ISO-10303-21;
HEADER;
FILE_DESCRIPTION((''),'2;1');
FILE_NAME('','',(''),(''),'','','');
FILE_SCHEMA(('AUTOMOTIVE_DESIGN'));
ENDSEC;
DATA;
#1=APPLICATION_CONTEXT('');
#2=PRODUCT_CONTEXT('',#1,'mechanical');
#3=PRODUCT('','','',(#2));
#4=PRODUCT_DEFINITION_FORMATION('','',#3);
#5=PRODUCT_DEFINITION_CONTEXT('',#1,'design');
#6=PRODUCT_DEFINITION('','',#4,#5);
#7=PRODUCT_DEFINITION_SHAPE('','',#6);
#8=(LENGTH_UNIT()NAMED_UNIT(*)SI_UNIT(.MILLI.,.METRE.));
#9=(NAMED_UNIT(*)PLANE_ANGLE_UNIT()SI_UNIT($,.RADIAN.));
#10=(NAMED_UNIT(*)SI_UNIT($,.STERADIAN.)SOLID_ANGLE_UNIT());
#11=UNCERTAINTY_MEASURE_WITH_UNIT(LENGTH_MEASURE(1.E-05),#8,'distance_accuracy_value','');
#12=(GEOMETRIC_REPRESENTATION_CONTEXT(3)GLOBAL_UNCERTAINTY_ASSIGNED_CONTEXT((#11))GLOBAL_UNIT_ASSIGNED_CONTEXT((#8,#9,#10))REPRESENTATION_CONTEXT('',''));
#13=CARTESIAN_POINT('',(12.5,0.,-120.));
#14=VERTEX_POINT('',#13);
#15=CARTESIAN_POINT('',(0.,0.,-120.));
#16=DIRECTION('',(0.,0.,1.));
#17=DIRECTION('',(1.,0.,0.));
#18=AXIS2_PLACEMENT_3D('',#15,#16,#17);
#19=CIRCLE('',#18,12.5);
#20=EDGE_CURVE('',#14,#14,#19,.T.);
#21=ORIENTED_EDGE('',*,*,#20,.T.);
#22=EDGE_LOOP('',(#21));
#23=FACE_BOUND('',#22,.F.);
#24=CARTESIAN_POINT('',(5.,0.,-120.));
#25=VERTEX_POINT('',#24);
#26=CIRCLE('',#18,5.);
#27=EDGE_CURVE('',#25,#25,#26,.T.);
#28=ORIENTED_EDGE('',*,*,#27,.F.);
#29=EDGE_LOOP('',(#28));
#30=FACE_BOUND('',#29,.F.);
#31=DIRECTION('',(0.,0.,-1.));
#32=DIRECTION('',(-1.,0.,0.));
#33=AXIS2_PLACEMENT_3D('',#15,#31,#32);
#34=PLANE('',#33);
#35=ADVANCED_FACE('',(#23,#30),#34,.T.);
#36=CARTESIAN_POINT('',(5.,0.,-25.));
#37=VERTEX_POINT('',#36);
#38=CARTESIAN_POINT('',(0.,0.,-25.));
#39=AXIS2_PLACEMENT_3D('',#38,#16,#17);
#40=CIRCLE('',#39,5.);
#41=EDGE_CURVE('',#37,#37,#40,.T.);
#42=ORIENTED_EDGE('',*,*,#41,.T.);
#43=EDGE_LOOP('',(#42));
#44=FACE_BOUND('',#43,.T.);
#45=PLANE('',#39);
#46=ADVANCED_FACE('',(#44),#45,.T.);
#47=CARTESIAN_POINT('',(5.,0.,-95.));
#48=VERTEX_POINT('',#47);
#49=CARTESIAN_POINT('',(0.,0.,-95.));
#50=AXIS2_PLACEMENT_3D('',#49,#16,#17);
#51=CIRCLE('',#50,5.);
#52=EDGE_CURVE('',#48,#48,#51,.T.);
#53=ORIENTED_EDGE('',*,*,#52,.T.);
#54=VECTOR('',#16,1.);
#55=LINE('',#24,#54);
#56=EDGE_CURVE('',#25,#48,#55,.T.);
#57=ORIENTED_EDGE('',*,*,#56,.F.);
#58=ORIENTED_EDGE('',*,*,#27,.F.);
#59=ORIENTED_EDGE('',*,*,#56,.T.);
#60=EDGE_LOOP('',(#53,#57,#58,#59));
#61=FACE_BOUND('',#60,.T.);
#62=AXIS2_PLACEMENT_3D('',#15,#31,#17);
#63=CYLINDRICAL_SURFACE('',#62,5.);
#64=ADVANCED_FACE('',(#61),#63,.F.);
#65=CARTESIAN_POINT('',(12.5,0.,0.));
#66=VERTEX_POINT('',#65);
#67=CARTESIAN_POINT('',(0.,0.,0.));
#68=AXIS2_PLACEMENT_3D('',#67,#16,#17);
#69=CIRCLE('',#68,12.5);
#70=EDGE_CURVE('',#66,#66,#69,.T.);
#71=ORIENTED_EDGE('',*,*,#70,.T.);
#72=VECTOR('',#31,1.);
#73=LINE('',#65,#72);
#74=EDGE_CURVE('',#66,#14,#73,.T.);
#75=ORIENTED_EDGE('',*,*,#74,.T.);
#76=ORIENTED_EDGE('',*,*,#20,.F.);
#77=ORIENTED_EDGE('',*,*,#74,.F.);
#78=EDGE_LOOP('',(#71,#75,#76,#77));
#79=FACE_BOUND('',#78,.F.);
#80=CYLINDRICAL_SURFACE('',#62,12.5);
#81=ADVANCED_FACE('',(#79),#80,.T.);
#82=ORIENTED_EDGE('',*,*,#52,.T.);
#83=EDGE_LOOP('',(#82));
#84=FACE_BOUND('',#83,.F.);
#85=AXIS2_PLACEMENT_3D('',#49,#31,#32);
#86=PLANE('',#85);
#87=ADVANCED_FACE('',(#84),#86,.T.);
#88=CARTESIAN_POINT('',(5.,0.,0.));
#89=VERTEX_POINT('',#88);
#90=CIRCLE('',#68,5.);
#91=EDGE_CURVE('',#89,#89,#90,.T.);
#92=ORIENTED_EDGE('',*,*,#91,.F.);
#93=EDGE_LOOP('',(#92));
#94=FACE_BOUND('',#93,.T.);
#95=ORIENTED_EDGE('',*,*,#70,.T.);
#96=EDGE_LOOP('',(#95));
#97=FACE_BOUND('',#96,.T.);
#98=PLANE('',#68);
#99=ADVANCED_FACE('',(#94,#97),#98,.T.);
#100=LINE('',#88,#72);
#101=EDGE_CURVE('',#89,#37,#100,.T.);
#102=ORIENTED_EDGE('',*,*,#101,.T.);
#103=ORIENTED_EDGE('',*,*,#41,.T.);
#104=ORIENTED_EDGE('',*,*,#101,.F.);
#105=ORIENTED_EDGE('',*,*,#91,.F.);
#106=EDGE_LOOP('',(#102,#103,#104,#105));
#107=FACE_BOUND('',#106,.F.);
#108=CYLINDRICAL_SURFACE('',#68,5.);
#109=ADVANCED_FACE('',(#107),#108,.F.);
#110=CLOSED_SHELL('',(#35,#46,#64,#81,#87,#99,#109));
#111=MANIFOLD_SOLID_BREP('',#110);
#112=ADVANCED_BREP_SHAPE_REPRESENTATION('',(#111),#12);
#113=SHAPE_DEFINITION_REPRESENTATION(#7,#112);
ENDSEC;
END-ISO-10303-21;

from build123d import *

# Parameters (mm, degrees)
F0_R     = 12.5
F0_R_2   = 5
F1_DEPTH = 60
F2_DEPTH = 25


with BuildPart() as f1:
    # F0 (on Top) → F1 (new body)
    with BuildSketch(Plane.XY):
        Circle(F0_R)
        Circle(F0_R_2, mode=Mode.SUBTRACT)
        Circle(F0_R_2)
    extrude(amount=-F1_DEPTH)

    # F0 (on Top) → F2 (cut)
    with BuildSketch(Plane.XY):
        Circle(F0_R_2)
    extrude(amount=-F2_DEPTH, mode=Mode.SUBTRACT)

    # F3: F1 across face


with BuildPart() as f1_1:
    add(f1.part)
    add(f1.part.mirror(Plane(origin=(0, 0, -60), x_dir=(1, 0, 0), z_dir=(0, 0, -1))))


solid = f1_1.part
